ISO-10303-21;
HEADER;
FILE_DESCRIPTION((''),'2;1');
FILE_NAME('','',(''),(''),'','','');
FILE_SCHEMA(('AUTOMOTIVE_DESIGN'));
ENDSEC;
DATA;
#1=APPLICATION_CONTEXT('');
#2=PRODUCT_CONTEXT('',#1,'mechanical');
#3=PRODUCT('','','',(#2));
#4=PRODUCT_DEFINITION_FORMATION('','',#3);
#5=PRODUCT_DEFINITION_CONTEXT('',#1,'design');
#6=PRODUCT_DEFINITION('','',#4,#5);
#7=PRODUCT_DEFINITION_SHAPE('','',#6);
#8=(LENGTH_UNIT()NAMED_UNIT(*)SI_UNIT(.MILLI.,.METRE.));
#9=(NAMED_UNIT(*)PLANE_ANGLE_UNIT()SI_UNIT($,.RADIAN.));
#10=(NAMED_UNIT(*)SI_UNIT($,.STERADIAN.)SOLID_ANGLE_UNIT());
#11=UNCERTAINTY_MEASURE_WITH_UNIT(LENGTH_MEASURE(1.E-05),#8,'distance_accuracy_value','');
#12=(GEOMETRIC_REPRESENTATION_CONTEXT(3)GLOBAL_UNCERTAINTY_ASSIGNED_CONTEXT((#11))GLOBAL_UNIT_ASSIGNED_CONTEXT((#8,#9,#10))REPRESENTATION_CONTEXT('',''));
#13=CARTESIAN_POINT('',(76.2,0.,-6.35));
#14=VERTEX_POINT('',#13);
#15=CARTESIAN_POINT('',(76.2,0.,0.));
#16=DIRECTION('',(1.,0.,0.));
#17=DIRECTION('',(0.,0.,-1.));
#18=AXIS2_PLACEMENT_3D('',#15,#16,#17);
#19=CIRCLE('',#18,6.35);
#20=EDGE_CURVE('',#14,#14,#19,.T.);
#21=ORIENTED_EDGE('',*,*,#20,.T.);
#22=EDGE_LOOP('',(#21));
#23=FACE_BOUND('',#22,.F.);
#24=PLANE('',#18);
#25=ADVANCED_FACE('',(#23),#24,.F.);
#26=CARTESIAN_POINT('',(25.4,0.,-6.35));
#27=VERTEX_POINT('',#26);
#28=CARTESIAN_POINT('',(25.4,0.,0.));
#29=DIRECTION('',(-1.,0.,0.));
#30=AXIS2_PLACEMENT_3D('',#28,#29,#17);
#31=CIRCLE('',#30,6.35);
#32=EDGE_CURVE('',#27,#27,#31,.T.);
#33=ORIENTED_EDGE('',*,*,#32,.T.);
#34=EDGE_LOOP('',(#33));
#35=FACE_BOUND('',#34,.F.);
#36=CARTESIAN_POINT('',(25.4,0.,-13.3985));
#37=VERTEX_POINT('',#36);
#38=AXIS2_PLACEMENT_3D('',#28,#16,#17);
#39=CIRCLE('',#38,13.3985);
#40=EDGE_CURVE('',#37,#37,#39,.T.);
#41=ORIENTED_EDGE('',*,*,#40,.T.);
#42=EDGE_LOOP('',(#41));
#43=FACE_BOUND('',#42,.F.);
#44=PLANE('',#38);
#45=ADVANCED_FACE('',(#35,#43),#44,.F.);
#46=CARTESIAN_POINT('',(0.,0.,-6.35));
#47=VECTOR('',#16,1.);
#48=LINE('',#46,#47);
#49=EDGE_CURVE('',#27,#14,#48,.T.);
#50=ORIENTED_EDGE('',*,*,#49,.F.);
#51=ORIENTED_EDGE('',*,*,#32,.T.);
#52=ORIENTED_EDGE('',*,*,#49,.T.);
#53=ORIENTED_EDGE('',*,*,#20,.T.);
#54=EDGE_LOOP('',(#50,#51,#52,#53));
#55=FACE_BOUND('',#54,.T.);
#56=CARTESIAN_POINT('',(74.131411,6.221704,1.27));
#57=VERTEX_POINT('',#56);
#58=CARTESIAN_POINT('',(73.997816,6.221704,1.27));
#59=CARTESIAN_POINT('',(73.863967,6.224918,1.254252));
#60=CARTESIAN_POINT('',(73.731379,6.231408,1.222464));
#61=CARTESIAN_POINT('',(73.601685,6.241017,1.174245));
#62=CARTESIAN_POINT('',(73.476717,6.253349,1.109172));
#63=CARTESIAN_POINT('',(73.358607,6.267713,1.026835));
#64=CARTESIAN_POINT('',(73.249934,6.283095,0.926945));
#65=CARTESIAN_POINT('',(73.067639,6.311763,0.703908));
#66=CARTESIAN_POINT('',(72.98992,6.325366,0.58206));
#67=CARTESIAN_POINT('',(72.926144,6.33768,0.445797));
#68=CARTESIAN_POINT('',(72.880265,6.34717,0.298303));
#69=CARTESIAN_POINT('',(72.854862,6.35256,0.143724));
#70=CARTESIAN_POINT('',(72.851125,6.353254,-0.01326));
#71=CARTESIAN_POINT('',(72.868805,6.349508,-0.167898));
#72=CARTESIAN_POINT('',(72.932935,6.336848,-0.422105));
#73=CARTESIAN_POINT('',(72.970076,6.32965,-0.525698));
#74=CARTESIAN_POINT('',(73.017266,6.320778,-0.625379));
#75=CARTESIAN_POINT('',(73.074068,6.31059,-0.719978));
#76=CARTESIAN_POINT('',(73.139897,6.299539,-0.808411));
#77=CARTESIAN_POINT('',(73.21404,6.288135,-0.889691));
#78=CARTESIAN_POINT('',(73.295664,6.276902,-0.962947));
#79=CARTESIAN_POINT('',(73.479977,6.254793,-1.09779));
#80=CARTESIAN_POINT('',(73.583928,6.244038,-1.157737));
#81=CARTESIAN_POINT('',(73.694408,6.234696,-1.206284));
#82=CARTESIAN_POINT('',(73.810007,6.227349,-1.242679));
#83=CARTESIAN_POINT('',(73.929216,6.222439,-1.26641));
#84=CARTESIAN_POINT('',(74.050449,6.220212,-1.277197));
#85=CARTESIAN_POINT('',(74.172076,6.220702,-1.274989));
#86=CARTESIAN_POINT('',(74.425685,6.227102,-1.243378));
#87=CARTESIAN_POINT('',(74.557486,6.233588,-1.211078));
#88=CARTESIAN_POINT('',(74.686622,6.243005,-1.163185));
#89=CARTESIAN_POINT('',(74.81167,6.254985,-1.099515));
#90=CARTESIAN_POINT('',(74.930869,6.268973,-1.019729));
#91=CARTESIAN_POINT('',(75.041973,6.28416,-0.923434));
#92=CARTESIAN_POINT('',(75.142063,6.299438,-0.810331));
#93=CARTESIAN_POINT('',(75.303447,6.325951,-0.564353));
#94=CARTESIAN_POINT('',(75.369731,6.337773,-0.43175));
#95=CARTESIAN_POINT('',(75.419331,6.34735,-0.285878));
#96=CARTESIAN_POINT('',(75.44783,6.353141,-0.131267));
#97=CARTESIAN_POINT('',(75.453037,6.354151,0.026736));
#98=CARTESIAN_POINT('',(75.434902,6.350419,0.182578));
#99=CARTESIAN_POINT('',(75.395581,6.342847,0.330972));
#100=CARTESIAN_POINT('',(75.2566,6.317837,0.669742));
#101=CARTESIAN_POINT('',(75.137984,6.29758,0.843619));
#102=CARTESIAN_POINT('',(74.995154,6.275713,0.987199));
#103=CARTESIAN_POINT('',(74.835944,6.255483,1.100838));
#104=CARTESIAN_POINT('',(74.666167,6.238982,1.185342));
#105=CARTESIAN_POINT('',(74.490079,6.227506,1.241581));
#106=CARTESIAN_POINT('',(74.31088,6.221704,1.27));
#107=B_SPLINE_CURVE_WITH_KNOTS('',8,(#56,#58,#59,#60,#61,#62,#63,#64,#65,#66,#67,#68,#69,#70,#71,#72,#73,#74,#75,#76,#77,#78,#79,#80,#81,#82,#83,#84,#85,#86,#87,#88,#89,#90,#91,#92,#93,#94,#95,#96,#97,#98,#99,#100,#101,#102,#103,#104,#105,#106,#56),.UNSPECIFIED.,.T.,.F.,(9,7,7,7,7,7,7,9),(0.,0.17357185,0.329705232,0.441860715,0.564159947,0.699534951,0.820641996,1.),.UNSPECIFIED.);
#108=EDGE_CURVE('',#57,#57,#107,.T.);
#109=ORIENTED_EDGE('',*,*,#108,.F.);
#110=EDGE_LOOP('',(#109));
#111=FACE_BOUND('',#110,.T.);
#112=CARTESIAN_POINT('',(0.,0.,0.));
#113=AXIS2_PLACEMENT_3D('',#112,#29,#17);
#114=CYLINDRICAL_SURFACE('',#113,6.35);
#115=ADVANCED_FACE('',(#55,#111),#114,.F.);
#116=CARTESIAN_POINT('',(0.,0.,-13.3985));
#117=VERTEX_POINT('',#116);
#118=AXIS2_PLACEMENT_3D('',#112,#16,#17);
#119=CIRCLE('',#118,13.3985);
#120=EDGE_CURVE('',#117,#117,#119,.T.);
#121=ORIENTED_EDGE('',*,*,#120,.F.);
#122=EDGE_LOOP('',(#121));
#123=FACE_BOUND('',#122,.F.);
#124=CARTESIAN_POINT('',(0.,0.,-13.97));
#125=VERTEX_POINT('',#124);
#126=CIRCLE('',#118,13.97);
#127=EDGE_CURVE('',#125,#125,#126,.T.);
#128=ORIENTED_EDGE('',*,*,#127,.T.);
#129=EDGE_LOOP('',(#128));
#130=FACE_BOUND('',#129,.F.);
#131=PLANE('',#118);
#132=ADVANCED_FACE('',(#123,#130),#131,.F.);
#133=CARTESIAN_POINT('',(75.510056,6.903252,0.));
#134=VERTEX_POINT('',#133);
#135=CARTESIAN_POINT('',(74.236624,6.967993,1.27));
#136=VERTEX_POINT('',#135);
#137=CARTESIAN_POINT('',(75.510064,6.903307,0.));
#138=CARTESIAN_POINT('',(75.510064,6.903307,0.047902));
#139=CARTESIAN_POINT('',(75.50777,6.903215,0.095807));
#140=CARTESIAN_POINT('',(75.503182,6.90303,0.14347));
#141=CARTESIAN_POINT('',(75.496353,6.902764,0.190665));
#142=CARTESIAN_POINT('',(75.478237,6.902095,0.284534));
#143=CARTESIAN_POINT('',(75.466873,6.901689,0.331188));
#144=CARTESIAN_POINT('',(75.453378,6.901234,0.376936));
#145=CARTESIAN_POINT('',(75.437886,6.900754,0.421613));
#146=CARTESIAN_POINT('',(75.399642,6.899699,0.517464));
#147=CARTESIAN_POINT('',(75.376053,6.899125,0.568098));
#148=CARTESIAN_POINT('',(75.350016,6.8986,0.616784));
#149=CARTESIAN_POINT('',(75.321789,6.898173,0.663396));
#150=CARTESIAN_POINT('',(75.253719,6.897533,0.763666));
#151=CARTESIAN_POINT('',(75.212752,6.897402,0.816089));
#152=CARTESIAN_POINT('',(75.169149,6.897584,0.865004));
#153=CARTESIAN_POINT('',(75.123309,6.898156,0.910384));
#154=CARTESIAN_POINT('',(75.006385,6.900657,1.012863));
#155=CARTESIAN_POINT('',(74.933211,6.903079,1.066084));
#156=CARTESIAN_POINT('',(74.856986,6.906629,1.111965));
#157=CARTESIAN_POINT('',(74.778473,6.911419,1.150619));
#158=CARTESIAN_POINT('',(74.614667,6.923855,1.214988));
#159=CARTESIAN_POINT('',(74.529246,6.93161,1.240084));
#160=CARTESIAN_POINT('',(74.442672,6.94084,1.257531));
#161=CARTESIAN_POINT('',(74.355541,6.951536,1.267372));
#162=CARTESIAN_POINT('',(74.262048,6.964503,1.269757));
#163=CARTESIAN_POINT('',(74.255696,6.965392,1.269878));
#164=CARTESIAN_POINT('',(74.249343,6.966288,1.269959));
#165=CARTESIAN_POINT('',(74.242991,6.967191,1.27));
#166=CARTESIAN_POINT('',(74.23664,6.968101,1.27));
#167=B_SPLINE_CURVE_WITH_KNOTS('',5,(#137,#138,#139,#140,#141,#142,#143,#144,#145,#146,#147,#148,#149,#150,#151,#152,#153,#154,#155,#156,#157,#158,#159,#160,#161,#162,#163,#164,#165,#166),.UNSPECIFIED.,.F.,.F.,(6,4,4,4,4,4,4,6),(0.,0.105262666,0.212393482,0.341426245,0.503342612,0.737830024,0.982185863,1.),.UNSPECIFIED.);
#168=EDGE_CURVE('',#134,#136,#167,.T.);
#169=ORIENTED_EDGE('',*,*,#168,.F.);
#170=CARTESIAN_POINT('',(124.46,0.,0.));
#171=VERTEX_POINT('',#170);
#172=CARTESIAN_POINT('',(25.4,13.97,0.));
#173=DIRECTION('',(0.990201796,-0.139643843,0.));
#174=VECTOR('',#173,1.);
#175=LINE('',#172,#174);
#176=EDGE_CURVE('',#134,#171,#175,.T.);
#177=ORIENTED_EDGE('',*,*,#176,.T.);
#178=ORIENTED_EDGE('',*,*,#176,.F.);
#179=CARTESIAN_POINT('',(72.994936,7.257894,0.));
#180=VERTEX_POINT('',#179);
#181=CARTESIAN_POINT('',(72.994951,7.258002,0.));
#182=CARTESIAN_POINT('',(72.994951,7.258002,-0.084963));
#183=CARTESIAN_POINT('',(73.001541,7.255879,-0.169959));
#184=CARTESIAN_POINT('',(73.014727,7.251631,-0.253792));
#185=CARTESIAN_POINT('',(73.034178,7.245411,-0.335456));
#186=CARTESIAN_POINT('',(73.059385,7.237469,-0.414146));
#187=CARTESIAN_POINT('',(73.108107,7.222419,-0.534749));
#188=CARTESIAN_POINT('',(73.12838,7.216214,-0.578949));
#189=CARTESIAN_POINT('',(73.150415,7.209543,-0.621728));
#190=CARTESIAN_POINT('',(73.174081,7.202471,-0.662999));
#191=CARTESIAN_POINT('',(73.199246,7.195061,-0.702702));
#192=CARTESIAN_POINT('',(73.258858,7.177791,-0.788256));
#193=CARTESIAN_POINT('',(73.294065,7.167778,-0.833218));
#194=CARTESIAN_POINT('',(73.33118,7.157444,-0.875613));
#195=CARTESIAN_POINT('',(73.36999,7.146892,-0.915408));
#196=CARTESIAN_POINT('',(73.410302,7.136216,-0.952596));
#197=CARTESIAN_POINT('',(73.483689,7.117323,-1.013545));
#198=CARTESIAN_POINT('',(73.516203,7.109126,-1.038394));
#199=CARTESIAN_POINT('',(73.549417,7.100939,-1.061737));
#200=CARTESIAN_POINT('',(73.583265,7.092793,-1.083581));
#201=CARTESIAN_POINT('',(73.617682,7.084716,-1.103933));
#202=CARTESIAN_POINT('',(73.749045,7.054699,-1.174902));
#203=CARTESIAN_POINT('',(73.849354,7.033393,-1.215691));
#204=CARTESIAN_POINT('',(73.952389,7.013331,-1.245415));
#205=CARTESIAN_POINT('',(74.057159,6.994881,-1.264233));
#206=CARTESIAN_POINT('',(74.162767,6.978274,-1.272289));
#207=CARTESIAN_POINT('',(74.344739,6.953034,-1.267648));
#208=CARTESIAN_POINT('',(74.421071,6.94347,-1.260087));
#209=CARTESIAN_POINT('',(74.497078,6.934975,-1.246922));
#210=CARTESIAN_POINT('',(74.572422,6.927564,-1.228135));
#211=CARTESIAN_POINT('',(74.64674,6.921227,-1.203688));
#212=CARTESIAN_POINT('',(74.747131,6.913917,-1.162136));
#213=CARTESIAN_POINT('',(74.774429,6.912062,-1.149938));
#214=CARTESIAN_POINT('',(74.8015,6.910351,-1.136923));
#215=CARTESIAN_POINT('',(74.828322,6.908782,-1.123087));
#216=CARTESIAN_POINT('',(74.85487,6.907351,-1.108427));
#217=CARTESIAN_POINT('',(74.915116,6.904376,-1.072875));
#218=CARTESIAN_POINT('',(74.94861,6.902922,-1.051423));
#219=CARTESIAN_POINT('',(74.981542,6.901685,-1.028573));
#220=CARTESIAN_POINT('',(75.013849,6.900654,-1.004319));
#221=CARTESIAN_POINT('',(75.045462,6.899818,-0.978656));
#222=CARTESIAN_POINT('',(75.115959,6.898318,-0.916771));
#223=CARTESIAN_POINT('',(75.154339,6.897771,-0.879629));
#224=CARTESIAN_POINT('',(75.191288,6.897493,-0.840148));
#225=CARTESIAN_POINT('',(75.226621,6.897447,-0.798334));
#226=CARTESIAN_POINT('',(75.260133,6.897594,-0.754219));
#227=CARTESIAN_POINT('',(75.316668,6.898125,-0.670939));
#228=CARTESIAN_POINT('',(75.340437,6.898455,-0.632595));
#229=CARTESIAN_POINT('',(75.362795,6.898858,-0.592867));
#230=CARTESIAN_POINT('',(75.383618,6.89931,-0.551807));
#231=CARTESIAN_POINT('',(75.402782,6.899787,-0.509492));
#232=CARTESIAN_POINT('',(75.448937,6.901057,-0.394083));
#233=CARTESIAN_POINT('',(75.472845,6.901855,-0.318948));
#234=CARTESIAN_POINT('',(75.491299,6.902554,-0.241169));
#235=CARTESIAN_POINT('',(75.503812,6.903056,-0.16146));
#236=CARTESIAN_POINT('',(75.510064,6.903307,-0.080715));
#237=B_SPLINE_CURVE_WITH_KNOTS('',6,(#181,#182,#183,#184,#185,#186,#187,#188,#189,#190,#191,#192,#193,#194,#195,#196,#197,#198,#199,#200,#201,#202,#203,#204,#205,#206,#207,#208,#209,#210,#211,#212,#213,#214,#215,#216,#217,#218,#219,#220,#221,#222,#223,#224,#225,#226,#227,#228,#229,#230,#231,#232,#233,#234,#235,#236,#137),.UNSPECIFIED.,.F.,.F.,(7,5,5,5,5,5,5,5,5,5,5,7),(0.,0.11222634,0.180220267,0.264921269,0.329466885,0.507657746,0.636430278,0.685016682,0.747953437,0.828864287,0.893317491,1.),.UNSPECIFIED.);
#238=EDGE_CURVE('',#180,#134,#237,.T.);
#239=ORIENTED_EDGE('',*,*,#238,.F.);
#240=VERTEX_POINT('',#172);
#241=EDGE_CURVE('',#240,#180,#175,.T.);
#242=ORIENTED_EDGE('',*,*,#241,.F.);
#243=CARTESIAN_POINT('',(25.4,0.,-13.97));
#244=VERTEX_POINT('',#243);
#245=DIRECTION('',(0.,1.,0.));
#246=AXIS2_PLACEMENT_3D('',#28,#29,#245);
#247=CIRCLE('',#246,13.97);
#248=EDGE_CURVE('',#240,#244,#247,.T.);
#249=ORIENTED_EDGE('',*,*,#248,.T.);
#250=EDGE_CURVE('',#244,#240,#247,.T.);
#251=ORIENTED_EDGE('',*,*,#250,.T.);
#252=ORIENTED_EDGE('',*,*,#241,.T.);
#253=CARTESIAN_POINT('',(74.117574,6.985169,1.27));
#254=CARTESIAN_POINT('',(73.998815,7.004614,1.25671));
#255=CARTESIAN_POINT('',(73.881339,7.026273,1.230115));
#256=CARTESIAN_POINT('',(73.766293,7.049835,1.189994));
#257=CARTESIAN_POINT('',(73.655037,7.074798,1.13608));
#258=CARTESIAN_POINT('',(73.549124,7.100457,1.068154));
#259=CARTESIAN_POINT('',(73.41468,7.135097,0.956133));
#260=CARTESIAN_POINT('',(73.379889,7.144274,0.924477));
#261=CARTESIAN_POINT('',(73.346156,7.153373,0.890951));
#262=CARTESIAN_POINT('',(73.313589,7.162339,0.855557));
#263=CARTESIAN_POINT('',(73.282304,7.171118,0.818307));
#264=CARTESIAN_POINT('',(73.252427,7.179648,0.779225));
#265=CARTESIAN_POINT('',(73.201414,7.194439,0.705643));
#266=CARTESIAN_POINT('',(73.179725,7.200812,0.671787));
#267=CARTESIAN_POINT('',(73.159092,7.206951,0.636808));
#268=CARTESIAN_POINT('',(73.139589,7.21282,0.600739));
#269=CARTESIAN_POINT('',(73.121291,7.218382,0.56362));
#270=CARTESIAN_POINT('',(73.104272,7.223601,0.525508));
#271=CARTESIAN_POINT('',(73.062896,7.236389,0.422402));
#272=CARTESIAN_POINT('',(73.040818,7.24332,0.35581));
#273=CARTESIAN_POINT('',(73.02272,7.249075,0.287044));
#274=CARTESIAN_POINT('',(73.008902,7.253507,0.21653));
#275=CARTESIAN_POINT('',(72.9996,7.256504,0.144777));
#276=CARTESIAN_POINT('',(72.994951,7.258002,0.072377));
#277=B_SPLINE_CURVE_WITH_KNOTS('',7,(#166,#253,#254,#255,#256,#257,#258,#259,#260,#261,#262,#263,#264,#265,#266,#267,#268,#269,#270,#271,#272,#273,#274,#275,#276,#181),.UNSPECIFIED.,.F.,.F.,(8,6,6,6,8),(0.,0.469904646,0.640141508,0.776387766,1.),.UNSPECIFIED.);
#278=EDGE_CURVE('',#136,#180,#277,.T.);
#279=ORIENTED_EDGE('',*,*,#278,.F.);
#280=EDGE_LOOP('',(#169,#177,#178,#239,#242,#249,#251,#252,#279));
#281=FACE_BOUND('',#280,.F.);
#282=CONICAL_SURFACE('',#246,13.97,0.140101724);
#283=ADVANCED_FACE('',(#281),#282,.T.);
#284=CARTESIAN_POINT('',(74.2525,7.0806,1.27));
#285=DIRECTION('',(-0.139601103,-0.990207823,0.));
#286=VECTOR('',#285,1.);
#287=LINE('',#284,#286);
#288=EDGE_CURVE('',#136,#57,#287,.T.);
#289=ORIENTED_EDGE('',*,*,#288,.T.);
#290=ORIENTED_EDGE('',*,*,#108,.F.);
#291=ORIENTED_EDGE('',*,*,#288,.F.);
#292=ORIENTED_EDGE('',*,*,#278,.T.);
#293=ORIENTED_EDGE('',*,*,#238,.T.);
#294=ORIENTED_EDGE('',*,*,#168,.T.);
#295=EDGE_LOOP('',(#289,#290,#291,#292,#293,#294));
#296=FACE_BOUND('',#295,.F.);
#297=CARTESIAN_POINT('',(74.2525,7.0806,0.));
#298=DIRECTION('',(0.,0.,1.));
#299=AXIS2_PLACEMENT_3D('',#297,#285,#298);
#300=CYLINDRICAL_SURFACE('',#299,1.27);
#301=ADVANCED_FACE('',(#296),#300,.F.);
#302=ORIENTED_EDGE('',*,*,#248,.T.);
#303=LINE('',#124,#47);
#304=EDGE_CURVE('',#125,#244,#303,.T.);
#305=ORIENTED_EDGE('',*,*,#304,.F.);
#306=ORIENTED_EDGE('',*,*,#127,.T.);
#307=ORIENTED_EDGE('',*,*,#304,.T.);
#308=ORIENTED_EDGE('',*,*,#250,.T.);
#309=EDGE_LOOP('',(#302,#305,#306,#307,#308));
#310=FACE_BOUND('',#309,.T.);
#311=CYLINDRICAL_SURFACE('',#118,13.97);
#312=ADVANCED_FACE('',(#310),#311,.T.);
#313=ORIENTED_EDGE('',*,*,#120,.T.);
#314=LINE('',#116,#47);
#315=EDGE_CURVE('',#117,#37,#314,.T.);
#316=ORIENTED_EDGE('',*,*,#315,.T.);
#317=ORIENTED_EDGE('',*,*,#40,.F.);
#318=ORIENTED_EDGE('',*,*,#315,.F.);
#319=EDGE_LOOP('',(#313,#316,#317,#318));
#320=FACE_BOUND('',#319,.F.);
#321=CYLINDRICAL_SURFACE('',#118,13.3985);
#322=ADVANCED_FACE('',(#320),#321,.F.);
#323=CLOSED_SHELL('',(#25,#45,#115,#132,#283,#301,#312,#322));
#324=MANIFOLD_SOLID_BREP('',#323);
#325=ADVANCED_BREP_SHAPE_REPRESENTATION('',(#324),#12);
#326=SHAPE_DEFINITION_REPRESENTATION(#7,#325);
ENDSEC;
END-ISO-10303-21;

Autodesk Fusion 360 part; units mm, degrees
sketch "Sketch1" plane through (0, 0, 0) normal (0, 0, 1) x (1, 0, 0)
  circle A0 centre (0, 0) radius 13.97
  circle A1 centre (0, 0) radius 13.3922
  dimension "d1" = 27.94
  dimension "d2" = 26.7843
sketch "Sketch2" plane through (0, 0, 0) normal (0, 0, 1) x (1, 0, 0)
  line L0 (35.56, 6.35) -> (80.4496, 0.4456)
  line L1 (80.4496, 0.4456) -> (35.56, 1.27)
  line L2 (35.56, 1.27) -> (35.56, 6.35)
  dimension "d5" = 45.2762
sketch "Sketch3" plane through (0, 0, 0) normal (0, 0, 1) x (1, 0, 0)
  line L0 (25.4, 0) -> (25.4, 13.97)
  line L1 (25.4, 13.97) -> (124.46, 0)
  line L2 (124.46, 0) -> (25.4, 0)
  dimension "d7" = 13.97
revolve "Revolve2" add sketch "Sketch3" angle 360 about axis through (124.46, 0, 0) along (-1, 0, 0)
sketch "Sketch4" plane through (0, 0, 0) normal (1, 0, 0) x (0, 0, -1)
  circle A0 centre (0, 0) radius 6.35
  dimension "d9" = 12.7
extrude "Extrude2" cut sketch "Sketch4" along normal blind 76.2
sketch "Sketch5" plane through (0, 0, 0) normal (1, 0, 0) x (0, 0, -1)
  circle A0 centre (0, 0) radius 13.97
cylinder "CylinderPrimitive1" add diameter 27.94 height 25.4 placed x (0, 0, -1) y (0, 1, 0) z (1, 0, 0) at (0, 0, 0)
cylinder "CylinderPrimitive2" cut diameter 26.797 height 25.4 placed x (0, 0, -1) y (0, 1, 0) z (1, 0, 0) at (0, 0, 0)
sketch "Sketch7" plane through (0, 0, 0) normal (1, 0, 0) x (0, 0, -1)
thread "Thread2"
hole "Hole1" at (74.2525, 7.0806, 0) direction (-0.1396, -0.9902, 0) diameter 2.54 depth 3.81 tip angle 118
